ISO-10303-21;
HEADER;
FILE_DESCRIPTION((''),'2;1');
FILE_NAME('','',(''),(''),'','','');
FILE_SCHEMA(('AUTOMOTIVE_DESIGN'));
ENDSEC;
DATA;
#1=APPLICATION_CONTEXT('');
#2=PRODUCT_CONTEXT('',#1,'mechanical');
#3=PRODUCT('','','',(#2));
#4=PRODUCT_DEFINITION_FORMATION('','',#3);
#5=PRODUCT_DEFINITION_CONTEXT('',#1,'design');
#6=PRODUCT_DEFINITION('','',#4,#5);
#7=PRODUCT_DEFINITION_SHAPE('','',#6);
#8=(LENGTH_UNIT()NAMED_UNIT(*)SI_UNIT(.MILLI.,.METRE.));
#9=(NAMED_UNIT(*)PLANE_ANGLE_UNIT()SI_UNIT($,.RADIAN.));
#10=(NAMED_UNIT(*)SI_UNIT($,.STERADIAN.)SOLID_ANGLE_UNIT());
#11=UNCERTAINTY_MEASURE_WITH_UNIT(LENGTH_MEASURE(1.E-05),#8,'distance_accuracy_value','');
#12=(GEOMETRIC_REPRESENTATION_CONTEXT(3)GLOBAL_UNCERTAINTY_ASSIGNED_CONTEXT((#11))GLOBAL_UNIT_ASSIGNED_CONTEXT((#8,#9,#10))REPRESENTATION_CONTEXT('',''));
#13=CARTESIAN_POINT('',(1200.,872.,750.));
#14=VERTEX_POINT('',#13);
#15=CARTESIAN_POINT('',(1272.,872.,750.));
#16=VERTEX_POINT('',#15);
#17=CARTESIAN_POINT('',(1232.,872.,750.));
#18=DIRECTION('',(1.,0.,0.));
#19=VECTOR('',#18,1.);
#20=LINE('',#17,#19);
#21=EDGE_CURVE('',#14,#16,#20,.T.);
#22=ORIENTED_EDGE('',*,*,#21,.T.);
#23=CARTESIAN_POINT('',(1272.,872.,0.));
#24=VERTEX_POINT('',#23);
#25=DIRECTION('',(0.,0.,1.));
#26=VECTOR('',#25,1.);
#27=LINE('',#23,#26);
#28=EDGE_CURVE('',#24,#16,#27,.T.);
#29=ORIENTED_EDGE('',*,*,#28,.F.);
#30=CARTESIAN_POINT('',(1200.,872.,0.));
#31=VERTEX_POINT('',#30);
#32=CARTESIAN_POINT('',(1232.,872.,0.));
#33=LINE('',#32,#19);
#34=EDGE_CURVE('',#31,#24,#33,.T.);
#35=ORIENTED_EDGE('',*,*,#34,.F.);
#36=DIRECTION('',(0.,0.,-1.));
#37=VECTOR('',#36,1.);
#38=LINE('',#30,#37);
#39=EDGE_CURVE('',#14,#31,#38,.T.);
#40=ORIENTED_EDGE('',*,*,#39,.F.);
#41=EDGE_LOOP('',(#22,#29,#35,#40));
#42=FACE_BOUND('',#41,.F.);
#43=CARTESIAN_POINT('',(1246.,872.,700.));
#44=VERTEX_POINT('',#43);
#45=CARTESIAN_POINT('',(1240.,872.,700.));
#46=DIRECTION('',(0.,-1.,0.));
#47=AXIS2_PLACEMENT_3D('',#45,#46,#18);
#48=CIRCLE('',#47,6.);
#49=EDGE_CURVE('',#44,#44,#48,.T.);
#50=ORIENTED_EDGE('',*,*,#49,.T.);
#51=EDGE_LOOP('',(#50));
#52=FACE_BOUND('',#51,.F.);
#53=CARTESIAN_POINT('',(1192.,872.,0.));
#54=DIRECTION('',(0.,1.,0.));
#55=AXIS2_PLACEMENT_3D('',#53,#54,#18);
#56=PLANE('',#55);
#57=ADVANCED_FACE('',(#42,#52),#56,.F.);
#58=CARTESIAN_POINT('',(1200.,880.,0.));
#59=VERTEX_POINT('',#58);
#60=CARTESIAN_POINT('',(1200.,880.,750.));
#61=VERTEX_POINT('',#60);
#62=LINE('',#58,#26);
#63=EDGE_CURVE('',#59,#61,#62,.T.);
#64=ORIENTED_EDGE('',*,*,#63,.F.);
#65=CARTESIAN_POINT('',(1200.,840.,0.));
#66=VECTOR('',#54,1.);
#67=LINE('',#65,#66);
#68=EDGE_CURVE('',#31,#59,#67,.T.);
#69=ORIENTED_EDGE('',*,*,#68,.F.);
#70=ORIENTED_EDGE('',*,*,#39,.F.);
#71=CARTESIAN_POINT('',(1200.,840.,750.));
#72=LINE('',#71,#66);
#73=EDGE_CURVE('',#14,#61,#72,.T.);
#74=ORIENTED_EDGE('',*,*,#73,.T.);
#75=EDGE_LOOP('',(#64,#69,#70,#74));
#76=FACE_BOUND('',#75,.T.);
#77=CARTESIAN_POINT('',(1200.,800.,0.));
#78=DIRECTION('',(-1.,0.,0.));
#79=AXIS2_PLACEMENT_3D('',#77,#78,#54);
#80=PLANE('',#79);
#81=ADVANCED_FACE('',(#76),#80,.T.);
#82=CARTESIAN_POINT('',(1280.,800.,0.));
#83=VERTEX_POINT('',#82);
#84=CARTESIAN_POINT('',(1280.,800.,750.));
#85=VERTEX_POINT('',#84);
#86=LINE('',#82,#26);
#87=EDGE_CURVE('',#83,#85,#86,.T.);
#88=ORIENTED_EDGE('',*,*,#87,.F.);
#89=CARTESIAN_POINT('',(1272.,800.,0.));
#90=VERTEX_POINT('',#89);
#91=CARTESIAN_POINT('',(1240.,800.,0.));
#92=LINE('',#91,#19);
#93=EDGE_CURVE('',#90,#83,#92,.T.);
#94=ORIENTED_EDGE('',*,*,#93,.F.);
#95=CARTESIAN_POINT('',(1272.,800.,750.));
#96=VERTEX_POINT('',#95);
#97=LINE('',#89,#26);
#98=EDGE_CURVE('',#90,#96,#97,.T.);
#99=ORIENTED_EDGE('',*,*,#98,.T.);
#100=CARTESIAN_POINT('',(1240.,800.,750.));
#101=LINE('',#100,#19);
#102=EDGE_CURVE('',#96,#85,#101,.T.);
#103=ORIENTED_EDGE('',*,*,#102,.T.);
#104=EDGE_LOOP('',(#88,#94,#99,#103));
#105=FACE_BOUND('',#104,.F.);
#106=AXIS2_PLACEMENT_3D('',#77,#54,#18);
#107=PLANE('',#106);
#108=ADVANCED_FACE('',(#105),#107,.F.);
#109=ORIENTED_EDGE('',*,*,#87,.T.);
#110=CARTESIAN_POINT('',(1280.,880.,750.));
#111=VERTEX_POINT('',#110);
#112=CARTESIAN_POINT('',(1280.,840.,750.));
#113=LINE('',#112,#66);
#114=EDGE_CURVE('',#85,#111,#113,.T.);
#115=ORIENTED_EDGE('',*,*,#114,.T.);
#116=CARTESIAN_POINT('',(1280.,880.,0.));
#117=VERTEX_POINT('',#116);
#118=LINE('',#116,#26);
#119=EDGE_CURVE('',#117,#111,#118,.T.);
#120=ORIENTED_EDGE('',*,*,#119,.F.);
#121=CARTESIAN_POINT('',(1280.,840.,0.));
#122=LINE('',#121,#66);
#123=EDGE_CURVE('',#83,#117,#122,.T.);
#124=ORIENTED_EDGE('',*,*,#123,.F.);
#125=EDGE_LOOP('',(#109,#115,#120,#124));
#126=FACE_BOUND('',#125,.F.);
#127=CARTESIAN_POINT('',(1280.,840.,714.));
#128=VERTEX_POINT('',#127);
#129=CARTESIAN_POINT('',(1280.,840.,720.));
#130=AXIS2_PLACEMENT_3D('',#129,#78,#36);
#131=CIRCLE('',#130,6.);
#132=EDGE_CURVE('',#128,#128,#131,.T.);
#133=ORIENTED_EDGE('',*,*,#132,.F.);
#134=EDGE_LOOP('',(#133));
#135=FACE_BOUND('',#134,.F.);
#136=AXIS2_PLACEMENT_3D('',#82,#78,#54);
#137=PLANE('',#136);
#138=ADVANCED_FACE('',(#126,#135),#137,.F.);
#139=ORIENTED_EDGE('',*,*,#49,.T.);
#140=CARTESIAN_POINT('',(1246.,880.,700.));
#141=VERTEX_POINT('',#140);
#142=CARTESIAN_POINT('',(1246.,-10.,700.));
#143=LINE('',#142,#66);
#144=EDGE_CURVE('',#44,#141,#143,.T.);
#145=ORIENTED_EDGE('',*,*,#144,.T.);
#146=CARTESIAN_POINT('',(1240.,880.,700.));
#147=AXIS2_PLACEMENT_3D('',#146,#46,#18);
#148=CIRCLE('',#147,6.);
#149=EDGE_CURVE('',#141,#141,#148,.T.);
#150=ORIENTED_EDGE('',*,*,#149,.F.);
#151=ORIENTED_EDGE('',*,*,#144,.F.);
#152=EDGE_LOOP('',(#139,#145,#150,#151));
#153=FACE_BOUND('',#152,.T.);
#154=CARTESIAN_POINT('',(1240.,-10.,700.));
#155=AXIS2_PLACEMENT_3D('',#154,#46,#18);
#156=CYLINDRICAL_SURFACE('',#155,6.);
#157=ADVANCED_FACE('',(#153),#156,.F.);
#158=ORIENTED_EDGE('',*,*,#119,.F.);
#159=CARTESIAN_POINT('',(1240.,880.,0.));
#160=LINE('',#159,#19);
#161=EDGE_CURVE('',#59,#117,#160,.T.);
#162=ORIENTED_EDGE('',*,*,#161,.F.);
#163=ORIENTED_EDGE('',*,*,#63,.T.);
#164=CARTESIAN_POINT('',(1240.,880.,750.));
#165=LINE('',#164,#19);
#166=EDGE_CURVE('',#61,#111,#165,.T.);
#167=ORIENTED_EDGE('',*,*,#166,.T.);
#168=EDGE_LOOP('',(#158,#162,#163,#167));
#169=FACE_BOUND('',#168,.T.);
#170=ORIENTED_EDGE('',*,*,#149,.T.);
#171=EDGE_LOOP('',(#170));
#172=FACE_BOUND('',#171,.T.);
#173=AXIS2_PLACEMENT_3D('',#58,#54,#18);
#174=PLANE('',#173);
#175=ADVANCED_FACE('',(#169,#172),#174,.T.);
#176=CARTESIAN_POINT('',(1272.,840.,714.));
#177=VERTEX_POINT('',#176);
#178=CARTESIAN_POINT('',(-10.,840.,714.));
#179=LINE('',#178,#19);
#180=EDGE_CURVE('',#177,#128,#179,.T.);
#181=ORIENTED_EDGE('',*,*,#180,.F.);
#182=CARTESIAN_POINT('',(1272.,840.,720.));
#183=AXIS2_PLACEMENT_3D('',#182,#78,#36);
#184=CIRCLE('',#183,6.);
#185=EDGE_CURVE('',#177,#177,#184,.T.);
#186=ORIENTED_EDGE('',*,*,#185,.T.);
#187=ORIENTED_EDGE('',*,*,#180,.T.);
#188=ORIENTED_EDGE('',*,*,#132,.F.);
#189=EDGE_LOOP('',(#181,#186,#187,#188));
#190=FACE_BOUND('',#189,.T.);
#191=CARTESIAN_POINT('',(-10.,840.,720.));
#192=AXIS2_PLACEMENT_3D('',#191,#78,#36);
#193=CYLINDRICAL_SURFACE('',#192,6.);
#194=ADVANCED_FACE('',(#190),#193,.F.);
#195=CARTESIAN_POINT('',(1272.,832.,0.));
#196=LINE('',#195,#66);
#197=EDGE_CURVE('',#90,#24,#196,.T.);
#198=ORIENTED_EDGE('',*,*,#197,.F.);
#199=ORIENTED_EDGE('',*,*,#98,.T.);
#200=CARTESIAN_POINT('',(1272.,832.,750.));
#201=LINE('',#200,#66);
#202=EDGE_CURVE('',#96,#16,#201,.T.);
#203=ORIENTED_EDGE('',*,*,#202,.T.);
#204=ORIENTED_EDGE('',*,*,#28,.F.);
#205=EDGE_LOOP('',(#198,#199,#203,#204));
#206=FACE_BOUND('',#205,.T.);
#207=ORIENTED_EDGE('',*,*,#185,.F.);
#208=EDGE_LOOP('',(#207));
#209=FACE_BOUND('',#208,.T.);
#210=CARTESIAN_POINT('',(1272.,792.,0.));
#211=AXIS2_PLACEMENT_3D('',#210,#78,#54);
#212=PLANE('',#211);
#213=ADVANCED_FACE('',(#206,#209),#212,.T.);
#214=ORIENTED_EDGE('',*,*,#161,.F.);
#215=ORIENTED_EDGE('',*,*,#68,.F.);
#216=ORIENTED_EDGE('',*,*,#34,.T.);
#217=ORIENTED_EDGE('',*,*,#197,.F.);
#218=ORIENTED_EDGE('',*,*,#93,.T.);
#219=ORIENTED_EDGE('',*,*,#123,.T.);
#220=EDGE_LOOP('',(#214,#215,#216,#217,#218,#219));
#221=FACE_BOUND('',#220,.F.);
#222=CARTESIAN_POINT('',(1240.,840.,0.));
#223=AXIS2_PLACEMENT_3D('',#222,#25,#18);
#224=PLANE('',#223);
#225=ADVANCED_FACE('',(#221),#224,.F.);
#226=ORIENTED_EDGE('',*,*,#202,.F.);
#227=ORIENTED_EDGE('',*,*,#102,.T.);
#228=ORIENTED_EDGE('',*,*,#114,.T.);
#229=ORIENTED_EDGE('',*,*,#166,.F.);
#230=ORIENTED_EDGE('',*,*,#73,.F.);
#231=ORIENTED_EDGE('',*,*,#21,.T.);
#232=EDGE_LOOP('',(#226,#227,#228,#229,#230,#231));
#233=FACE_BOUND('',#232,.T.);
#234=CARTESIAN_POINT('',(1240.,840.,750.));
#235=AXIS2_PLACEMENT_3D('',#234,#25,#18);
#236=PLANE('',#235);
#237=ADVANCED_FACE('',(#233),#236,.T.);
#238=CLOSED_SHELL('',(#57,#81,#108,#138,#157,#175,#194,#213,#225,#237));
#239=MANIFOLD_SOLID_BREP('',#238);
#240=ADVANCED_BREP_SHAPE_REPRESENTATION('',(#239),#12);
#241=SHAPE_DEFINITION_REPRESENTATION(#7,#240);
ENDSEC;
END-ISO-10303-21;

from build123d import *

# Parameters (mm, degrees)
CYLINDER003_R     = 6
CYLINDER003_DEPTH = 900
CYLINDER001_R     = 6
CYLINDER001_DEPTH = 1300
BOX007_W          = 80
BOX007_H          = 80
BOX007_DEPTH      = 750
BOX006_W          = 80
BOX006_H          = 80
BOX006_DEPTH      = 750


with BuildPart() as cylinder003:
    # Cylinder003 → Cylinder003 (new body)
    with BuildSketch(Plane(origin=(1240, -10, 700), x_dir=(1, 0, 0), z_dir=(0, 1, 0))):
        Circle(CYLINDER003_R)
    extrude(amount=CYLINDER003_DEPTH)


with BuildPart() as cylinder001:
    # Cylinder001 → Cylinder001 (new body)
    with BuildSketch(Plane(origin=(-10, 840, 720), x_dir=(0, 0, -1), z_dir=(1, 0, 0))):
        Circle(CYLINDER001_R)
    extrude(amount=CYLINDER001_DEPTH)


with BuildPart() as cube007:
    # Box007 → Box007 (new body)
    with BuildSketch(Plane(origin=(1192, 792, 0), x_dir=(1, 0, 0), z_dir=(0, 0, 1))):
        with Locations((40, 40)):
            Rectangle(BOX007_W, BOX007_H)
    extrude(amount=BOX007_DEPTH)


with BuildPart() as cut010:
    # Box006 → Box006 (new body)
    with BuildSketch(Plane(origin=(1200, 800, 0), x_dir=(1, 0, 0), z_dir=(0, 0, 1))):
        with Locations((40, 40)):
            Rectangle(BOX006_W, BOX006_H)
    extrude(amount=BOX006_DEPTH)

    # Cut003: cut Cube007
    add(cube007.part, mode=Mode.SUBTRACT)

    # Cut009: cut Cylinder001
    add(cylinder001.part, mode=Mode.SUBTRACT)

    # Cut010: cut Cylinder003
    add(cylinder003.part, mode=Mode.SUBTRACT)


solid = cut010.part
